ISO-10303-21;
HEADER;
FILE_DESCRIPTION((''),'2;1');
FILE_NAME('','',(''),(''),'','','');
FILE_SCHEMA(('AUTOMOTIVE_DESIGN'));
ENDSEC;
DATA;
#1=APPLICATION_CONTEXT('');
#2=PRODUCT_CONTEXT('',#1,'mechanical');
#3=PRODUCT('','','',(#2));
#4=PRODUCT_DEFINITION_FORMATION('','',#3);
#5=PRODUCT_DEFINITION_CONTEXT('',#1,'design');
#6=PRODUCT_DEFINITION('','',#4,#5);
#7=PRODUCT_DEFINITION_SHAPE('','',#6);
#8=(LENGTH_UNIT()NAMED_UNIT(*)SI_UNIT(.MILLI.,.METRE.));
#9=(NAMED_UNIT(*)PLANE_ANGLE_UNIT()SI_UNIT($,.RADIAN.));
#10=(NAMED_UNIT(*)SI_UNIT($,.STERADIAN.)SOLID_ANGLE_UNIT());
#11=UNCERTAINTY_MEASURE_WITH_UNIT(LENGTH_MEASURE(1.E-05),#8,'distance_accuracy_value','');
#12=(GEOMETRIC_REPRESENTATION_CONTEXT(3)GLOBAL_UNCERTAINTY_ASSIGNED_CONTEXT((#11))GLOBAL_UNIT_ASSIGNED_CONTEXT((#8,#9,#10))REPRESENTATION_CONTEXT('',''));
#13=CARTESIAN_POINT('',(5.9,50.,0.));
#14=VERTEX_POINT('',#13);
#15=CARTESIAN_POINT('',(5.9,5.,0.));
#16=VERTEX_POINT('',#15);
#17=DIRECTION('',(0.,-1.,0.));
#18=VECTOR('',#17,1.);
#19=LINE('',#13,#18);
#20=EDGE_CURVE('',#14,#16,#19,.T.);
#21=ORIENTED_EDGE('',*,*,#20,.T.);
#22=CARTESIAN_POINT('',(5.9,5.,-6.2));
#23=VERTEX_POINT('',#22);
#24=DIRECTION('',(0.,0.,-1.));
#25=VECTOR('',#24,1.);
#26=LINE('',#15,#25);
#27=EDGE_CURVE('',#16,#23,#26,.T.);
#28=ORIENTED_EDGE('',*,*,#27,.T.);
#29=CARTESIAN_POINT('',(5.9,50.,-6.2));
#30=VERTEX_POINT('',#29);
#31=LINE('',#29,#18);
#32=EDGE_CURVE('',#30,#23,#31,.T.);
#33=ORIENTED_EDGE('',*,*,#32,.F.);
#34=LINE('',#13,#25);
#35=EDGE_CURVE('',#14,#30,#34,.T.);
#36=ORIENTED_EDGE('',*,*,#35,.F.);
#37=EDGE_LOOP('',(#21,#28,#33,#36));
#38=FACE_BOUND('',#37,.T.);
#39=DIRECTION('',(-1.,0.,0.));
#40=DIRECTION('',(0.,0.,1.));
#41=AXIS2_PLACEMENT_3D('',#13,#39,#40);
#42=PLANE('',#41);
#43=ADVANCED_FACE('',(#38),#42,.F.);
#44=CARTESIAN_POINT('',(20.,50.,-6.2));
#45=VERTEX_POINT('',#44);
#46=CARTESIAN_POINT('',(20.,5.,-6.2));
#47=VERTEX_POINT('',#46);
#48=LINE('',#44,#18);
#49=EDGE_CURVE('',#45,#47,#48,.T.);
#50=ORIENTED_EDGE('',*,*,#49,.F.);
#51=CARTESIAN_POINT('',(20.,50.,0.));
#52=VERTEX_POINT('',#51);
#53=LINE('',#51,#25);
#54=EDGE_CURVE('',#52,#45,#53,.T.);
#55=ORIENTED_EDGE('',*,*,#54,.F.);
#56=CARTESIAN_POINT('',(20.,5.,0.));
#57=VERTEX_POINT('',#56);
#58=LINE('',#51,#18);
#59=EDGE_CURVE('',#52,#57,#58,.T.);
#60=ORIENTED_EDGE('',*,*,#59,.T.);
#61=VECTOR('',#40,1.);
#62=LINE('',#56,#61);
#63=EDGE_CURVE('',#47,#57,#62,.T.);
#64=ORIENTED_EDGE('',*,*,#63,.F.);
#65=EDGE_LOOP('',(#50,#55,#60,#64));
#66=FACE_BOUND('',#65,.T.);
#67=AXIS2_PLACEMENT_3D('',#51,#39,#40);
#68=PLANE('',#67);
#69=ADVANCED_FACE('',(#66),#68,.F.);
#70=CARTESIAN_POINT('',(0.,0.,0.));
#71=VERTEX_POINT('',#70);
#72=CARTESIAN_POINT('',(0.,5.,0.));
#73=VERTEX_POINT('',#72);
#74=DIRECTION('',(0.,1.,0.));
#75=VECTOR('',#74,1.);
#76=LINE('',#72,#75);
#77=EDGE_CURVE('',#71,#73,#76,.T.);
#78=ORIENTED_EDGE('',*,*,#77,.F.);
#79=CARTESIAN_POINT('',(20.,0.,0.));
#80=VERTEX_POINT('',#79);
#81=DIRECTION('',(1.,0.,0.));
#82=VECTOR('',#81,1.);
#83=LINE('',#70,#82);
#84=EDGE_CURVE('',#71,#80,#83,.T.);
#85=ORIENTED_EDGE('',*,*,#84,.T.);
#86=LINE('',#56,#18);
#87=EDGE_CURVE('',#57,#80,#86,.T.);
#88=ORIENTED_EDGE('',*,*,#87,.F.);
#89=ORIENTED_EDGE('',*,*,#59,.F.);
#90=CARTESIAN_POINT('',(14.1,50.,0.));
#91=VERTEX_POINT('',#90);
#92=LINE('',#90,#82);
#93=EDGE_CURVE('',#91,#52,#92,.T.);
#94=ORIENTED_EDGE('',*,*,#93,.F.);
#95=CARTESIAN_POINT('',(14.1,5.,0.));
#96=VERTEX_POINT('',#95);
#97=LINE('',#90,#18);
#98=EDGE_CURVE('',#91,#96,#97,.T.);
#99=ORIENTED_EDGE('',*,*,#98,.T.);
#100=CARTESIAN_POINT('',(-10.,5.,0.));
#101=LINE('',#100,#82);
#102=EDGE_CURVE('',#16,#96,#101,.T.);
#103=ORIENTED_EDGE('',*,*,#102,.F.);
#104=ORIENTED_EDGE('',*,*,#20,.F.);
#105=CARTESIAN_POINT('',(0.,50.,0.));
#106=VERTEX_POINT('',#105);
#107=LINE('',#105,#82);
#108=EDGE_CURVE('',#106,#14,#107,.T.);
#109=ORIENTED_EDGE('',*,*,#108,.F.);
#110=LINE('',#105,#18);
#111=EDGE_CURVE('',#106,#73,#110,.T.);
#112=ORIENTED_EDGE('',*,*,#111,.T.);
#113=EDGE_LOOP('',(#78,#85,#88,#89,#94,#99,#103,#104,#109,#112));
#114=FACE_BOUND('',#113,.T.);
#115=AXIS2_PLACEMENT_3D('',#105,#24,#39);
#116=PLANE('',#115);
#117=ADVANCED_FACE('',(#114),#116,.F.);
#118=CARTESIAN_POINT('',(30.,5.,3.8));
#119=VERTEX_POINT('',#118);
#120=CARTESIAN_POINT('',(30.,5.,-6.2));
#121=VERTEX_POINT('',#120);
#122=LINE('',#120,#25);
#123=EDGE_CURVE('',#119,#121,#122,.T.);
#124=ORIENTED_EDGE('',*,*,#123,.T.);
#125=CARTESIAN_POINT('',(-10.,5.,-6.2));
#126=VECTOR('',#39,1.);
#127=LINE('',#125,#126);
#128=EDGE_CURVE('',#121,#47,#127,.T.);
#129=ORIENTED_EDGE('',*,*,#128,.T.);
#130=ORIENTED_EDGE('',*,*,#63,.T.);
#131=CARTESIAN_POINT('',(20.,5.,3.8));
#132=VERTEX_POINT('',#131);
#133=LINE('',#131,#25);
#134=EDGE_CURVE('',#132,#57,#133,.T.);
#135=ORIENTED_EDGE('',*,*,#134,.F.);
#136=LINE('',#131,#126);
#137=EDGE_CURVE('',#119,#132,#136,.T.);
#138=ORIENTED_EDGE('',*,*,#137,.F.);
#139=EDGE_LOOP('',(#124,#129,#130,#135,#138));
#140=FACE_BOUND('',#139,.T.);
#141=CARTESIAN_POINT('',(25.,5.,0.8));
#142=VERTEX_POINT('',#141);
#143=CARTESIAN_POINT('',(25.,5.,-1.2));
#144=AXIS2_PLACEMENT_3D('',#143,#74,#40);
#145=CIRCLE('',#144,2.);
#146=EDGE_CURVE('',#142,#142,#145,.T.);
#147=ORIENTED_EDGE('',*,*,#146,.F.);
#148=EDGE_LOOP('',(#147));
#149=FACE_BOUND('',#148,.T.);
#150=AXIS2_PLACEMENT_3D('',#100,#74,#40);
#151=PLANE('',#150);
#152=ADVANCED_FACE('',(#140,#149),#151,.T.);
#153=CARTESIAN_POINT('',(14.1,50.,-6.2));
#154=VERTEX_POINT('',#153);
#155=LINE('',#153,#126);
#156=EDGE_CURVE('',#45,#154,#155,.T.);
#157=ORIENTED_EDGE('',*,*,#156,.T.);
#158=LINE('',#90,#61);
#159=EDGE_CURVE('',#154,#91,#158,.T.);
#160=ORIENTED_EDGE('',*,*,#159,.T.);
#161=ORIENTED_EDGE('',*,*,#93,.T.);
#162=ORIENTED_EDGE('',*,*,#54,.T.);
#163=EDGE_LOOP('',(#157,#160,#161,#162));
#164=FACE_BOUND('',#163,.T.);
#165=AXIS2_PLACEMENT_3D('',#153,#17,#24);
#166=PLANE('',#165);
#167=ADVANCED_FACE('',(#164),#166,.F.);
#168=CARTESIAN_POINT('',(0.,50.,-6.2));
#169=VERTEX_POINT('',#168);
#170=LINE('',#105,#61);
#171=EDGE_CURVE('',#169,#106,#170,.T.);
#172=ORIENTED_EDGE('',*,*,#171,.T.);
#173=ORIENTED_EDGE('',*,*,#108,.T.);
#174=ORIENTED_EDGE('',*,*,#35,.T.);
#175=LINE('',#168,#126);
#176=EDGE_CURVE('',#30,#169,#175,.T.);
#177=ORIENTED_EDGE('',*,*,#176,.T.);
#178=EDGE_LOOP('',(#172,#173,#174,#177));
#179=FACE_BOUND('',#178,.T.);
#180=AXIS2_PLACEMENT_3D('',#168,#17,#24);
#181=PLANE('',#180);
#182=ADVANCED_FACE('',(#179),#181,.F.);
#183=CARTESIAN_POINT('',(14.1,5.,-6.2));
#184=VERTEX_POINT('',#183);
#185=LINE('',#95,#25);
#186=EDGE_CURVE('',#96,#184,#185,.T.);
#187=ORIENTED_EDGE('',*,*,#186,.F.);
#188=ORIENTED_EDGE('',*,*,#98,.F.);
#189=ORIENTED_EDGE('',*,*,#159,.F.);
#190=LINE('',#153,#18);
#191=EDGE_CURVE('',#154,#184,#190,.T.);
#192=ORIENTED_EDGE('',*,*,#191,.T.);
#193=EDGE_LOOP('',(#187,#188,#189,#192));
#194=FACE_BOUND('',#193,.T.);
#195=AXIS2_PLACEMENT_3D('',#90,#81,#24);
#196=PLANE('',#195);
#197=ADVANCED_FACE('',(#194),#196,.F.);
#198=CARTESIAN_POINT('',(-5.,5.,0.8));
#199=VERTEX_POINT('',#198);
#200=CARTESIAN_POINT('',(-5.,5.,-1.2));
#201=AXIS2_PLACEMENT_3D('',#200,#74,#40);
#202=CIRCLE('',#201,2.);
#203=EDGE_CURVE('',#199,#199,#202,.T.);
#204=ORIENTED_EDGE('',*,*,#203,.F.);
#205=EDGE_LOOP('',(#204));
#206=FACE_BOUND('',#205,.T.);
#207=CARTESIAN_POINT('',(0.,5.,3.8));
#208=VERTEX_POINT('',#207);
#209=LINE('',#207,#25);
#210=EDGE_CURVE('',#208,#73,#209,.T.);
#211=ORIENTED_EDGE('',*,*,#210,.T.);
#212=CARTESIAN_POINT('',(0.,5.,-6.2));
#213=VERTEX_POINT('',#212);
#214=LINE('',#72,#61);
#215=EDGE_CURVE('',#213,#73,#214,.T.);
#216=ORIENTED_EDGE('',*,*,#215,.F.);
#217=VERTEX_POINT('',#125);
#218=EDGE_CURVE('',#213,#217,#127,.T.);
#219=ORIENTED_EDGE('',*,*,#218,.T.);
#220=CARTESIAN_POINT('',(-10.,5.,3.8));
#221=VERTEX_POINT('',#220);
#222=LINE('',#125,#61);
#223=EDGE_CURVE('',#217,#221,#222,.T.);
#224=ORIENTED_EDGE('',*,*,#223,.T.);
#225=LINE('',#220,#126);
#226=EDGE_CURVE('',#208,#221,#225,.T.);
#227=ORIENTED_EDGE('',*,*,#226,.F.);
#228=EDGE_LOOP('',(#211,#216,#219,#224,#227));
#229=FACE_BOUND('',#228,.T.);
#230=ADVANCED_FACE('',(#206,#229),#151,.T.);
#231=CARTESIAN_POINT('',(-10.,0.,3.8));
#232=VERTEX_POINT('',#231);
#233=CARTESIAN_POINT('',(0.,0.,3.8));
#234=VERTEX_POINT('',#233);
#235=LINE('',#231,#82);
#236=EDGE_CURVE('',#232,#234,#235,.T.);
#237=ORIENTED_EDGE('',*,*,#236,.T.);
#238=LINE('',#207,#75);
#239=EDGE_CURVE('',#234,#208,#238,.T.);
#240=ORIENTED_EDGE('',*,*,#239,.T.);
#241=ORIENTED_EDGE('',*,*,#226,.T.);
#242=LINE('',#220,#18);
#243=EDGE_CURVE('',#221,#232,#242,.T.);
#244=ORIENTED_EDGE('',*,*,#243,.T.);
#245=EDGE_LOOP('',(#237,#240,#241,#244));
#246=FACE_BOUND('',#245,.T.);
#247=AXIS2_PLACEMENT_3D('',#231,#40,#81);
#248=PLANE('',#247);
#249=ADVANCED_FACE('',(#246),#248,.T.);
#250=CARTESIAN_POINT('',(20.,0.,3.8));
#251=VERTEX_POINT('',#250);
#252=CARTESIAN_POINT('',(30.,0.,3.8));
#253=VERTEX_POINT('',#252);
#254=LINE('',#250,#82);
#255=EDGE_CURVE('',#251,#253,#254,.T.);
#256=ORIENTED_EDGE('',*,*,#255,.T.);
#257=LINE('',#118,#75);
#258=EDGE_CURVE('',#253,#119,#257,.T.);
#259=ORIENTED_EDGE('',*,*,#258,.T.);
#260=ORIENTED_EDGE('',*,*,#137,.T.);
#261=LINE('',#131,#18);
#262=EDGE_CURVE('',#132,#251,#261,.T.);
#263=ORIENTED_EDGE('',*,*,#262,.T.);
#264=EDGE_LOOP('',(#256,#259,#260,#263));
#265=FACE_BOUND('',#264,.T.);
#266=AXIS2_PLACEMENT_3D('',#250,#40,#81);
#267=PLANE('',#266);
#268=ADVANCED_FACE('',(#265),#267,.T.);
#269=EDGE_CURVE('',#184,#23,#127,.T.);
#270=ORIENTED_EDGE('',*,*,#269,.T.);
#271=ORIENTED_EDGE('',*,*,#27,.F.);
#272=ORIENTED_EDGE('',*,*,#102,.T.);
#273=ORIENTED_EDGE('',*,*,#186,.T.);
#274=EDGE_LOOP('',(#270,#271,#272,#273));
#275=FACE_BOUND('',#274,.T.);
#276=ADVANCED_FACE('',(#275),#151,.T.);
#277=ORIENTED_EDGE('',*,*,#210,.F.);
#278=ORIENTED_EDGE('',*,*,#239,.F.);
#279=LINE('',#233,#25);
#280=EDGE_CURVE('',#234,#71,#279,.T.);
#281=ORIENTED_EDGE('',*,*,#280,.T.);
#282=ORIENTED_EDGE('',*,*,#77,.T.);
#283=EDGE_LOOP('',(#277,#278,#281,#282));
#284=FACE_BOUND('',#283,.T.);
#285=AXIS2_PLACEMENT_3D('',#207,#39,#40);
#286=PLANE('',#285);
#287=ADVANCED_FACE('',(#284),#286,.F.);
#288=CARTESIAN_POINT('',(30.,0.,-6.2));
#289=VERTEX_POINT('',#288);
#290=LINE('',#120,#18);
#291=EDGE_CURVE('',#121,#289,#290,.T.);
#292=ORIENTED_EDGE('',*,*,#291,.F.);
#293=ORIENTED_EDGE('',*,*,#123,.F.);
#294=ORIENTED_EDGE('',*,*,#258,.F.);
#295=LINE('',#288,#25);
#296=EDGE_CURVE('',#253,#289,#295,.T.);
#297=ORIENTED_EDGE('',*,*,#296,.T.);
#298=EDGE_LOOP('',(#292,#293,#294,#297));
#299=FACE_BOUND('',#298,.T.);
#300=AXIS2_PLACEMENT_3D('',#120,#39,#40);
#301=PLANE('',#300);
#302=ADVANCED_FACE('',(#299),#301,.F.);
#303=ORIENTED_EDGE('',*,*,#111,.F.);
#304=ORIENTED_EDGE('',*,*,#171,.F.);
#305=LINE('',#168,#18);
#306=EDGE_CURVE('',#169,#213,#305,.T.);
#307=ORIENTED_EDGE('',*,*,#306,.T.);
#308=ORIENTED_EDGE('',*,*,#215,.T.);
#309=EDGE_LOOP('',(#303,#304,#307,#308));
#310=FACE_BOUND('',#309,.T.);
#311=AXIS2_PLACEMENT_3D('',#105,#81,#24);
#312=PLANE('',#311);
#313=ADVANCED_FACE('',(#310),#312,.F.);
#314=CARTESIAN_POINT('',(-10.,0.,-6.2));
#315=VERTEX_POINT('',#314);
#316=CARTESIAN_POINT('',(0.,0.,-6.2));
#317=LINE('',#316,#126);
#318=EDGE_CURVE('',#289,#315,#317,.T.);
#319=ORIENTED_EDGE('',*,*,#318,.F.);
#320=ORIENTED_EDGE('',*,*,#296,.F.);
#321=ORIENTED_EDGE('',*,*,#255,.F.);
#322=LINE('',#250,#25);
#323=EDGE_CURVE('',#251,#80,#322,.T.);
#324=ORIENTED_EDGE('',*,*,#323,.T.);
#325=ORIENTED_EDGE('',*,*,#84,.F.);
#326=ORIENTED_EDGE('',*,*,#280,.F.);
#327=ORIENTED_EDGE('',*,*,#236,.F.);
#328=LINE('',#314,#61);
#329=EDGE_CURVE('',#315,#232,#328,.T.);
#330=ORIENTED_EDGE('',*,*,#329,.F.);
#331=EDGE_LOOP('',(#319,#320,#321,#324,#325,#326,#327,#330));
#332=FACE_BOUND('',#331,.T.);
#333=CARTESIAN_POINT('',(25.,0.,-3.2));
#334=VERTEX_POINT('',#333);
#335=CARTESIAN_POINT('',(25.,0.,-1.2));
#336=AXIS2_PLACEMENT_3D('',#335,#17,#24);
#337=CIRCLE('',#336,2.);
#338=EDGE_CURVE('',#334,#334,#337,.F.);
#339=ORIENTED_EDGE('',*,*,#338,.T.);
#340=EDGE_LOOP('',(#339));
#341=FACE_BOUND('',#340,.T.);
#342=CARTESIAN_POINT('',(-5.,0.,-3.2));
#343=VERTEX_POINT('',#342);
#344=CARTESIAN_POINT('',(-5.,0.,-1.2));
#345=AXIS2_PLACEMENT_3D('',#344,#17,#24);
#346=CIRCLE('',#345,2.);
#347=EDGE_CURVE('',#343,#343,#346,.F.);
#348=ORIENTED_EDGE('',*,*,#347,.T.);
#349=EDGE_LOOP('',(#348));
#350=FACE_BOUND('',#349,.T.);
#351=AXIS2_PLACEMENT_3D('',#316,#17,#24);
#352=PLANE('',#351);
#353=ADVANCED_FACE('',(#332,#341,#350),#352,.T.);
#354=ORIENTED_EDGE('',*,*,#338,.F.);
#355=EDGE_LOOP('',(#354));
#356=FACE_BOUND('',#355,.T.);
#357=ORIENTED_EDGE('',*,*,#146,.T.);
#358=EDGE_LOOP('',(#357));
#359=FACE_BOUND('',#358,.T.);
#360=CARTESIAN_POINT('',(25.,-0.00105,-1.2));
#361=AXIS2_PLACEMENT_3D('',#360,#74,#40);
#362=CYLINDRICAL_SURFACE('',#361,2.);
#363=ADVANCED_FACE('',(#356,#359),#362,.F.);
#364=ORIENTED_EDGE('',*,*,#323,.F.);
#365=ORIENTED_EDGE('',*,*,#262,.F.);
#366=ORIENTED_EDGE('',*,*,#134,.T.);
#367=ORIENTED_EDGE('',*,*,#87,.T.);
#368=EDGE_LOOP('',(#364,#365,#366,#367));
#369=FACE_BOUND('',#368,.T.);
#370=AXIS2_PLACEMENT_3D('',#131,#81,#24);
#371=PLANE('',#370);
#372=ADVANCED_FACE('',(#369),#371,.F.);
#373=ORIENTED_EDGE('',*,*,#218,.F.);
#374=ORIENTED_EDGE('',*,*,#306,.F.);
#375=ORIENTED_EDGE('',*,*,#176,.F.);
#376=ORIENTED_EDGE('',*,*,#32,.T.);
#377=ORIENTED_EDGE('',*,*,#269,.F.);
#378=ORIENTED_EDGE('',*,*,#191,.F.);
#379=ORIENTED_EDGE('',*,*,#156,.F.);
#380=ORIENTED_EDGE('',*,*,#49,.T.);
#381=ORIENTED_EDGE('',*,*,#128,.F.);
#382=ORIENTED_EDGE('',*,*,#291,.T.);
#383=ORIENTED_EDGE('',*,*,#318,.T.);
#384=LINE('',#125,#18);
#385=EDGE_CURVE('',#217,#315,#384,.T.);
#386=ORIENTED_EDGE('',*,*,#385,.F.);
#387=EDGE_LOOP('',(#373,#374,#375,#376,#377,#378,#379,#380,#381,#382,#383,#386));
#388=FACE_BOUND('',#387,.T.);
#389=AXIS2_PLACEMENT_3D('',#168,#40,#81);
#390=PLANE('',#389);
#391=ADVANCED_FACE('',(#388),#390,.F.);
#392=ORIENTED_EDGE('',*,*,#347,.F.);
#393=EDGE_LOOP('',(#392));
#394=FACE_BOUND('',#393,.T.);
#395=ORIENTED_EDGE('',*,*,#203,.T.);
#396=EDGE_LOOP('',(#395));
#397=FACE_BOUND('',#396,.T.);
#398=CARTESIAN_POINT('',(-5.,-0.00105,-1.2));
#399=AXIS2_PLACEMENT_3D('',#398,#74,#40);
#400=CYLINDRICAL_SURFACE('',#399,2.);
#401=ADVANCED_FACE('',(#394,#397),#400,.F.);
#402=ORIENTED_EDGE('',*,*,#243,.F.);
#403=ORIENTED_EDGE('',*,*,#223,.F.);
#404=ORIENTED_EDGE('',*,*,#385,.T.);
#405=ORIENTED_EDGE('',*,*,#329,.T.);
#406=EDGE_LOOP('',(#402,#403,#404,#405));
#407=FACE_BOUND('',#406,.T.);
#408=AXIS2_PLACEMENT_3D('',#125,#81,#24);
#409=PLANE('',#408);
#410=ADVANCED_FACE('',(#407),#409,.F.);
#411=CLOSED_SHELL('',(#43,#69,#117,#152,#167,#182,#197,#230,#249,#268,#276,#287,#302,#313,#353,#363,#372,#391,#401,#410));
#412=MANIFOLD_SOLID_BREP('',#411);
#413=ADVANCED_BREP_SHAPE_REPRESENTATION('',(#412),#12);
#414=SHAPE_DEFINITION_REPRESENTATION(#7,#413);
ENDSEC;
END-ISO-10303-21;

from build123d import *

# Parameters (mm, degrees)
SKETCH_2_W          = 5.9
SKETCH_2_H          = 6.2
EXTRUDE_1_DEPTH     = 50
EXTRUDE_1_2_DEPTH   = 50
SKETCH_3_W          = 40
SKETCH_3_H          = 6.2
EXTRUDE_2_DEPTH     = 5
SKETCH_4_W          = 10
SKETCH_4_H          = 5
EXTRUDE_3_DEPTH     = 3.8
CUT_EXTRUDE_4_REACH = 56.437
SKETCH_5_R          = 2


with BuildPart() as part:
    # Эскиз2 → Вытянуть1 (new body)
    with BuildSketch(Plane(origin=(0, 0, 0), x_dir=(1, 0, 0), z_dir=(0, 1, 0))):
        with Locations((2.95, 3.1)):
            Rectangle(SKETCH_2_W, SKETCH_2_H)
    extrude(amount=EXTRUDE_1_DEPTH)



with BuildPart() as body_2:
    # Эскиз2 → Extrude 1 2 (new body)
    with BuildSketch(Plane(origin=(0, 0, 0), x_dir=(1, 0, 0), z_dir=(0, 1, 0))):
        with Locations((17.05, 3.1)):
            Rectangle(SKETCH_2_W, SKETCH_2_H)
    extrude(amount=EXTRUDE_1_2_DEPTH)


with BuildPart() as part_1:
    add(part.part)

    add(body_2.part)  # Вытянуть2 merges body 2
    # Эскиз3 → Вытянуть2 (add)
    with BuildSketch(Plane(origin=(0, 0, 0), x_dir=(1, 0, 0), z_dir=(0, 1, 0))):
        with Locations((10, 3.1)):
            Rectangle(SKETCH_3_W, SKETCH_3_H)
    extrude(amount=EXTRUDE_2_DEPTH)

    # Эскиз4 → Вытянуть3 (add)
    with BuildSketch(Plane.XY):
        with Locations((-5, 2.5)):
            Rectangle(SKETCH_4_W, SKETCH_4_H)
        with Locations((25, 2.5)):
            Rectangle(SKETCH_4_W, SKETCH_4_H)
    extrude(amount=EXTRUDE_3_DEPTH)

    # Эскиз5 → Вытянуть4 (cut, up to next)
    with BuildSketch(Plane(origin=(0, 5, 0), x_dir=(1, 0, 0), z_dir=(0, 1, 0)), mode=Mode.PRIVATE) as cut_extrude_4_sk1:
        with Locations(Location((25, 1.2, 0), (0, 0, 270))):
            Circle(SKETCH_5_R)
    cut_extrude_4_tool1 = extrude(cut_extrude_4_sk1.sketch, amount=-CUT_EXTRUDE_4_REACH, mode=Mode.PRIVATE) & part_1.part
    # Эскиз5 → Вытянуть4 (cut, up to next)
    with BuildSketch(Plane(origin=(0, 5, 0), x_dir=(1, 0, 0), z_dir=(0, 1, 0)), mode=Mode.PRIVATE) as cut_extrude_4_sk2:
        with Locations(Location((-5, 1.2, 0), (0, 0, 270))):
            Circle(SKETCH_5_R)
    cut_extrude_4_tool2 = extrude(cut_extrude_4_sk2.sketch, amount=-CUT_EXTRUDE_4_REACH, mode=Mode.PRIVATE) & part_1.part
    add(cut_extrude_4_tool1.solids().sort_by_distance((25, 5, -1.2))[0], mode=Mode.SUBTRACT)
    add(cut_extrude_4_tool2.solids().sort_by_distance((-5, 5, -1.2))[0], mode=Mode.SUBTRACT)


solid = part_1.part
